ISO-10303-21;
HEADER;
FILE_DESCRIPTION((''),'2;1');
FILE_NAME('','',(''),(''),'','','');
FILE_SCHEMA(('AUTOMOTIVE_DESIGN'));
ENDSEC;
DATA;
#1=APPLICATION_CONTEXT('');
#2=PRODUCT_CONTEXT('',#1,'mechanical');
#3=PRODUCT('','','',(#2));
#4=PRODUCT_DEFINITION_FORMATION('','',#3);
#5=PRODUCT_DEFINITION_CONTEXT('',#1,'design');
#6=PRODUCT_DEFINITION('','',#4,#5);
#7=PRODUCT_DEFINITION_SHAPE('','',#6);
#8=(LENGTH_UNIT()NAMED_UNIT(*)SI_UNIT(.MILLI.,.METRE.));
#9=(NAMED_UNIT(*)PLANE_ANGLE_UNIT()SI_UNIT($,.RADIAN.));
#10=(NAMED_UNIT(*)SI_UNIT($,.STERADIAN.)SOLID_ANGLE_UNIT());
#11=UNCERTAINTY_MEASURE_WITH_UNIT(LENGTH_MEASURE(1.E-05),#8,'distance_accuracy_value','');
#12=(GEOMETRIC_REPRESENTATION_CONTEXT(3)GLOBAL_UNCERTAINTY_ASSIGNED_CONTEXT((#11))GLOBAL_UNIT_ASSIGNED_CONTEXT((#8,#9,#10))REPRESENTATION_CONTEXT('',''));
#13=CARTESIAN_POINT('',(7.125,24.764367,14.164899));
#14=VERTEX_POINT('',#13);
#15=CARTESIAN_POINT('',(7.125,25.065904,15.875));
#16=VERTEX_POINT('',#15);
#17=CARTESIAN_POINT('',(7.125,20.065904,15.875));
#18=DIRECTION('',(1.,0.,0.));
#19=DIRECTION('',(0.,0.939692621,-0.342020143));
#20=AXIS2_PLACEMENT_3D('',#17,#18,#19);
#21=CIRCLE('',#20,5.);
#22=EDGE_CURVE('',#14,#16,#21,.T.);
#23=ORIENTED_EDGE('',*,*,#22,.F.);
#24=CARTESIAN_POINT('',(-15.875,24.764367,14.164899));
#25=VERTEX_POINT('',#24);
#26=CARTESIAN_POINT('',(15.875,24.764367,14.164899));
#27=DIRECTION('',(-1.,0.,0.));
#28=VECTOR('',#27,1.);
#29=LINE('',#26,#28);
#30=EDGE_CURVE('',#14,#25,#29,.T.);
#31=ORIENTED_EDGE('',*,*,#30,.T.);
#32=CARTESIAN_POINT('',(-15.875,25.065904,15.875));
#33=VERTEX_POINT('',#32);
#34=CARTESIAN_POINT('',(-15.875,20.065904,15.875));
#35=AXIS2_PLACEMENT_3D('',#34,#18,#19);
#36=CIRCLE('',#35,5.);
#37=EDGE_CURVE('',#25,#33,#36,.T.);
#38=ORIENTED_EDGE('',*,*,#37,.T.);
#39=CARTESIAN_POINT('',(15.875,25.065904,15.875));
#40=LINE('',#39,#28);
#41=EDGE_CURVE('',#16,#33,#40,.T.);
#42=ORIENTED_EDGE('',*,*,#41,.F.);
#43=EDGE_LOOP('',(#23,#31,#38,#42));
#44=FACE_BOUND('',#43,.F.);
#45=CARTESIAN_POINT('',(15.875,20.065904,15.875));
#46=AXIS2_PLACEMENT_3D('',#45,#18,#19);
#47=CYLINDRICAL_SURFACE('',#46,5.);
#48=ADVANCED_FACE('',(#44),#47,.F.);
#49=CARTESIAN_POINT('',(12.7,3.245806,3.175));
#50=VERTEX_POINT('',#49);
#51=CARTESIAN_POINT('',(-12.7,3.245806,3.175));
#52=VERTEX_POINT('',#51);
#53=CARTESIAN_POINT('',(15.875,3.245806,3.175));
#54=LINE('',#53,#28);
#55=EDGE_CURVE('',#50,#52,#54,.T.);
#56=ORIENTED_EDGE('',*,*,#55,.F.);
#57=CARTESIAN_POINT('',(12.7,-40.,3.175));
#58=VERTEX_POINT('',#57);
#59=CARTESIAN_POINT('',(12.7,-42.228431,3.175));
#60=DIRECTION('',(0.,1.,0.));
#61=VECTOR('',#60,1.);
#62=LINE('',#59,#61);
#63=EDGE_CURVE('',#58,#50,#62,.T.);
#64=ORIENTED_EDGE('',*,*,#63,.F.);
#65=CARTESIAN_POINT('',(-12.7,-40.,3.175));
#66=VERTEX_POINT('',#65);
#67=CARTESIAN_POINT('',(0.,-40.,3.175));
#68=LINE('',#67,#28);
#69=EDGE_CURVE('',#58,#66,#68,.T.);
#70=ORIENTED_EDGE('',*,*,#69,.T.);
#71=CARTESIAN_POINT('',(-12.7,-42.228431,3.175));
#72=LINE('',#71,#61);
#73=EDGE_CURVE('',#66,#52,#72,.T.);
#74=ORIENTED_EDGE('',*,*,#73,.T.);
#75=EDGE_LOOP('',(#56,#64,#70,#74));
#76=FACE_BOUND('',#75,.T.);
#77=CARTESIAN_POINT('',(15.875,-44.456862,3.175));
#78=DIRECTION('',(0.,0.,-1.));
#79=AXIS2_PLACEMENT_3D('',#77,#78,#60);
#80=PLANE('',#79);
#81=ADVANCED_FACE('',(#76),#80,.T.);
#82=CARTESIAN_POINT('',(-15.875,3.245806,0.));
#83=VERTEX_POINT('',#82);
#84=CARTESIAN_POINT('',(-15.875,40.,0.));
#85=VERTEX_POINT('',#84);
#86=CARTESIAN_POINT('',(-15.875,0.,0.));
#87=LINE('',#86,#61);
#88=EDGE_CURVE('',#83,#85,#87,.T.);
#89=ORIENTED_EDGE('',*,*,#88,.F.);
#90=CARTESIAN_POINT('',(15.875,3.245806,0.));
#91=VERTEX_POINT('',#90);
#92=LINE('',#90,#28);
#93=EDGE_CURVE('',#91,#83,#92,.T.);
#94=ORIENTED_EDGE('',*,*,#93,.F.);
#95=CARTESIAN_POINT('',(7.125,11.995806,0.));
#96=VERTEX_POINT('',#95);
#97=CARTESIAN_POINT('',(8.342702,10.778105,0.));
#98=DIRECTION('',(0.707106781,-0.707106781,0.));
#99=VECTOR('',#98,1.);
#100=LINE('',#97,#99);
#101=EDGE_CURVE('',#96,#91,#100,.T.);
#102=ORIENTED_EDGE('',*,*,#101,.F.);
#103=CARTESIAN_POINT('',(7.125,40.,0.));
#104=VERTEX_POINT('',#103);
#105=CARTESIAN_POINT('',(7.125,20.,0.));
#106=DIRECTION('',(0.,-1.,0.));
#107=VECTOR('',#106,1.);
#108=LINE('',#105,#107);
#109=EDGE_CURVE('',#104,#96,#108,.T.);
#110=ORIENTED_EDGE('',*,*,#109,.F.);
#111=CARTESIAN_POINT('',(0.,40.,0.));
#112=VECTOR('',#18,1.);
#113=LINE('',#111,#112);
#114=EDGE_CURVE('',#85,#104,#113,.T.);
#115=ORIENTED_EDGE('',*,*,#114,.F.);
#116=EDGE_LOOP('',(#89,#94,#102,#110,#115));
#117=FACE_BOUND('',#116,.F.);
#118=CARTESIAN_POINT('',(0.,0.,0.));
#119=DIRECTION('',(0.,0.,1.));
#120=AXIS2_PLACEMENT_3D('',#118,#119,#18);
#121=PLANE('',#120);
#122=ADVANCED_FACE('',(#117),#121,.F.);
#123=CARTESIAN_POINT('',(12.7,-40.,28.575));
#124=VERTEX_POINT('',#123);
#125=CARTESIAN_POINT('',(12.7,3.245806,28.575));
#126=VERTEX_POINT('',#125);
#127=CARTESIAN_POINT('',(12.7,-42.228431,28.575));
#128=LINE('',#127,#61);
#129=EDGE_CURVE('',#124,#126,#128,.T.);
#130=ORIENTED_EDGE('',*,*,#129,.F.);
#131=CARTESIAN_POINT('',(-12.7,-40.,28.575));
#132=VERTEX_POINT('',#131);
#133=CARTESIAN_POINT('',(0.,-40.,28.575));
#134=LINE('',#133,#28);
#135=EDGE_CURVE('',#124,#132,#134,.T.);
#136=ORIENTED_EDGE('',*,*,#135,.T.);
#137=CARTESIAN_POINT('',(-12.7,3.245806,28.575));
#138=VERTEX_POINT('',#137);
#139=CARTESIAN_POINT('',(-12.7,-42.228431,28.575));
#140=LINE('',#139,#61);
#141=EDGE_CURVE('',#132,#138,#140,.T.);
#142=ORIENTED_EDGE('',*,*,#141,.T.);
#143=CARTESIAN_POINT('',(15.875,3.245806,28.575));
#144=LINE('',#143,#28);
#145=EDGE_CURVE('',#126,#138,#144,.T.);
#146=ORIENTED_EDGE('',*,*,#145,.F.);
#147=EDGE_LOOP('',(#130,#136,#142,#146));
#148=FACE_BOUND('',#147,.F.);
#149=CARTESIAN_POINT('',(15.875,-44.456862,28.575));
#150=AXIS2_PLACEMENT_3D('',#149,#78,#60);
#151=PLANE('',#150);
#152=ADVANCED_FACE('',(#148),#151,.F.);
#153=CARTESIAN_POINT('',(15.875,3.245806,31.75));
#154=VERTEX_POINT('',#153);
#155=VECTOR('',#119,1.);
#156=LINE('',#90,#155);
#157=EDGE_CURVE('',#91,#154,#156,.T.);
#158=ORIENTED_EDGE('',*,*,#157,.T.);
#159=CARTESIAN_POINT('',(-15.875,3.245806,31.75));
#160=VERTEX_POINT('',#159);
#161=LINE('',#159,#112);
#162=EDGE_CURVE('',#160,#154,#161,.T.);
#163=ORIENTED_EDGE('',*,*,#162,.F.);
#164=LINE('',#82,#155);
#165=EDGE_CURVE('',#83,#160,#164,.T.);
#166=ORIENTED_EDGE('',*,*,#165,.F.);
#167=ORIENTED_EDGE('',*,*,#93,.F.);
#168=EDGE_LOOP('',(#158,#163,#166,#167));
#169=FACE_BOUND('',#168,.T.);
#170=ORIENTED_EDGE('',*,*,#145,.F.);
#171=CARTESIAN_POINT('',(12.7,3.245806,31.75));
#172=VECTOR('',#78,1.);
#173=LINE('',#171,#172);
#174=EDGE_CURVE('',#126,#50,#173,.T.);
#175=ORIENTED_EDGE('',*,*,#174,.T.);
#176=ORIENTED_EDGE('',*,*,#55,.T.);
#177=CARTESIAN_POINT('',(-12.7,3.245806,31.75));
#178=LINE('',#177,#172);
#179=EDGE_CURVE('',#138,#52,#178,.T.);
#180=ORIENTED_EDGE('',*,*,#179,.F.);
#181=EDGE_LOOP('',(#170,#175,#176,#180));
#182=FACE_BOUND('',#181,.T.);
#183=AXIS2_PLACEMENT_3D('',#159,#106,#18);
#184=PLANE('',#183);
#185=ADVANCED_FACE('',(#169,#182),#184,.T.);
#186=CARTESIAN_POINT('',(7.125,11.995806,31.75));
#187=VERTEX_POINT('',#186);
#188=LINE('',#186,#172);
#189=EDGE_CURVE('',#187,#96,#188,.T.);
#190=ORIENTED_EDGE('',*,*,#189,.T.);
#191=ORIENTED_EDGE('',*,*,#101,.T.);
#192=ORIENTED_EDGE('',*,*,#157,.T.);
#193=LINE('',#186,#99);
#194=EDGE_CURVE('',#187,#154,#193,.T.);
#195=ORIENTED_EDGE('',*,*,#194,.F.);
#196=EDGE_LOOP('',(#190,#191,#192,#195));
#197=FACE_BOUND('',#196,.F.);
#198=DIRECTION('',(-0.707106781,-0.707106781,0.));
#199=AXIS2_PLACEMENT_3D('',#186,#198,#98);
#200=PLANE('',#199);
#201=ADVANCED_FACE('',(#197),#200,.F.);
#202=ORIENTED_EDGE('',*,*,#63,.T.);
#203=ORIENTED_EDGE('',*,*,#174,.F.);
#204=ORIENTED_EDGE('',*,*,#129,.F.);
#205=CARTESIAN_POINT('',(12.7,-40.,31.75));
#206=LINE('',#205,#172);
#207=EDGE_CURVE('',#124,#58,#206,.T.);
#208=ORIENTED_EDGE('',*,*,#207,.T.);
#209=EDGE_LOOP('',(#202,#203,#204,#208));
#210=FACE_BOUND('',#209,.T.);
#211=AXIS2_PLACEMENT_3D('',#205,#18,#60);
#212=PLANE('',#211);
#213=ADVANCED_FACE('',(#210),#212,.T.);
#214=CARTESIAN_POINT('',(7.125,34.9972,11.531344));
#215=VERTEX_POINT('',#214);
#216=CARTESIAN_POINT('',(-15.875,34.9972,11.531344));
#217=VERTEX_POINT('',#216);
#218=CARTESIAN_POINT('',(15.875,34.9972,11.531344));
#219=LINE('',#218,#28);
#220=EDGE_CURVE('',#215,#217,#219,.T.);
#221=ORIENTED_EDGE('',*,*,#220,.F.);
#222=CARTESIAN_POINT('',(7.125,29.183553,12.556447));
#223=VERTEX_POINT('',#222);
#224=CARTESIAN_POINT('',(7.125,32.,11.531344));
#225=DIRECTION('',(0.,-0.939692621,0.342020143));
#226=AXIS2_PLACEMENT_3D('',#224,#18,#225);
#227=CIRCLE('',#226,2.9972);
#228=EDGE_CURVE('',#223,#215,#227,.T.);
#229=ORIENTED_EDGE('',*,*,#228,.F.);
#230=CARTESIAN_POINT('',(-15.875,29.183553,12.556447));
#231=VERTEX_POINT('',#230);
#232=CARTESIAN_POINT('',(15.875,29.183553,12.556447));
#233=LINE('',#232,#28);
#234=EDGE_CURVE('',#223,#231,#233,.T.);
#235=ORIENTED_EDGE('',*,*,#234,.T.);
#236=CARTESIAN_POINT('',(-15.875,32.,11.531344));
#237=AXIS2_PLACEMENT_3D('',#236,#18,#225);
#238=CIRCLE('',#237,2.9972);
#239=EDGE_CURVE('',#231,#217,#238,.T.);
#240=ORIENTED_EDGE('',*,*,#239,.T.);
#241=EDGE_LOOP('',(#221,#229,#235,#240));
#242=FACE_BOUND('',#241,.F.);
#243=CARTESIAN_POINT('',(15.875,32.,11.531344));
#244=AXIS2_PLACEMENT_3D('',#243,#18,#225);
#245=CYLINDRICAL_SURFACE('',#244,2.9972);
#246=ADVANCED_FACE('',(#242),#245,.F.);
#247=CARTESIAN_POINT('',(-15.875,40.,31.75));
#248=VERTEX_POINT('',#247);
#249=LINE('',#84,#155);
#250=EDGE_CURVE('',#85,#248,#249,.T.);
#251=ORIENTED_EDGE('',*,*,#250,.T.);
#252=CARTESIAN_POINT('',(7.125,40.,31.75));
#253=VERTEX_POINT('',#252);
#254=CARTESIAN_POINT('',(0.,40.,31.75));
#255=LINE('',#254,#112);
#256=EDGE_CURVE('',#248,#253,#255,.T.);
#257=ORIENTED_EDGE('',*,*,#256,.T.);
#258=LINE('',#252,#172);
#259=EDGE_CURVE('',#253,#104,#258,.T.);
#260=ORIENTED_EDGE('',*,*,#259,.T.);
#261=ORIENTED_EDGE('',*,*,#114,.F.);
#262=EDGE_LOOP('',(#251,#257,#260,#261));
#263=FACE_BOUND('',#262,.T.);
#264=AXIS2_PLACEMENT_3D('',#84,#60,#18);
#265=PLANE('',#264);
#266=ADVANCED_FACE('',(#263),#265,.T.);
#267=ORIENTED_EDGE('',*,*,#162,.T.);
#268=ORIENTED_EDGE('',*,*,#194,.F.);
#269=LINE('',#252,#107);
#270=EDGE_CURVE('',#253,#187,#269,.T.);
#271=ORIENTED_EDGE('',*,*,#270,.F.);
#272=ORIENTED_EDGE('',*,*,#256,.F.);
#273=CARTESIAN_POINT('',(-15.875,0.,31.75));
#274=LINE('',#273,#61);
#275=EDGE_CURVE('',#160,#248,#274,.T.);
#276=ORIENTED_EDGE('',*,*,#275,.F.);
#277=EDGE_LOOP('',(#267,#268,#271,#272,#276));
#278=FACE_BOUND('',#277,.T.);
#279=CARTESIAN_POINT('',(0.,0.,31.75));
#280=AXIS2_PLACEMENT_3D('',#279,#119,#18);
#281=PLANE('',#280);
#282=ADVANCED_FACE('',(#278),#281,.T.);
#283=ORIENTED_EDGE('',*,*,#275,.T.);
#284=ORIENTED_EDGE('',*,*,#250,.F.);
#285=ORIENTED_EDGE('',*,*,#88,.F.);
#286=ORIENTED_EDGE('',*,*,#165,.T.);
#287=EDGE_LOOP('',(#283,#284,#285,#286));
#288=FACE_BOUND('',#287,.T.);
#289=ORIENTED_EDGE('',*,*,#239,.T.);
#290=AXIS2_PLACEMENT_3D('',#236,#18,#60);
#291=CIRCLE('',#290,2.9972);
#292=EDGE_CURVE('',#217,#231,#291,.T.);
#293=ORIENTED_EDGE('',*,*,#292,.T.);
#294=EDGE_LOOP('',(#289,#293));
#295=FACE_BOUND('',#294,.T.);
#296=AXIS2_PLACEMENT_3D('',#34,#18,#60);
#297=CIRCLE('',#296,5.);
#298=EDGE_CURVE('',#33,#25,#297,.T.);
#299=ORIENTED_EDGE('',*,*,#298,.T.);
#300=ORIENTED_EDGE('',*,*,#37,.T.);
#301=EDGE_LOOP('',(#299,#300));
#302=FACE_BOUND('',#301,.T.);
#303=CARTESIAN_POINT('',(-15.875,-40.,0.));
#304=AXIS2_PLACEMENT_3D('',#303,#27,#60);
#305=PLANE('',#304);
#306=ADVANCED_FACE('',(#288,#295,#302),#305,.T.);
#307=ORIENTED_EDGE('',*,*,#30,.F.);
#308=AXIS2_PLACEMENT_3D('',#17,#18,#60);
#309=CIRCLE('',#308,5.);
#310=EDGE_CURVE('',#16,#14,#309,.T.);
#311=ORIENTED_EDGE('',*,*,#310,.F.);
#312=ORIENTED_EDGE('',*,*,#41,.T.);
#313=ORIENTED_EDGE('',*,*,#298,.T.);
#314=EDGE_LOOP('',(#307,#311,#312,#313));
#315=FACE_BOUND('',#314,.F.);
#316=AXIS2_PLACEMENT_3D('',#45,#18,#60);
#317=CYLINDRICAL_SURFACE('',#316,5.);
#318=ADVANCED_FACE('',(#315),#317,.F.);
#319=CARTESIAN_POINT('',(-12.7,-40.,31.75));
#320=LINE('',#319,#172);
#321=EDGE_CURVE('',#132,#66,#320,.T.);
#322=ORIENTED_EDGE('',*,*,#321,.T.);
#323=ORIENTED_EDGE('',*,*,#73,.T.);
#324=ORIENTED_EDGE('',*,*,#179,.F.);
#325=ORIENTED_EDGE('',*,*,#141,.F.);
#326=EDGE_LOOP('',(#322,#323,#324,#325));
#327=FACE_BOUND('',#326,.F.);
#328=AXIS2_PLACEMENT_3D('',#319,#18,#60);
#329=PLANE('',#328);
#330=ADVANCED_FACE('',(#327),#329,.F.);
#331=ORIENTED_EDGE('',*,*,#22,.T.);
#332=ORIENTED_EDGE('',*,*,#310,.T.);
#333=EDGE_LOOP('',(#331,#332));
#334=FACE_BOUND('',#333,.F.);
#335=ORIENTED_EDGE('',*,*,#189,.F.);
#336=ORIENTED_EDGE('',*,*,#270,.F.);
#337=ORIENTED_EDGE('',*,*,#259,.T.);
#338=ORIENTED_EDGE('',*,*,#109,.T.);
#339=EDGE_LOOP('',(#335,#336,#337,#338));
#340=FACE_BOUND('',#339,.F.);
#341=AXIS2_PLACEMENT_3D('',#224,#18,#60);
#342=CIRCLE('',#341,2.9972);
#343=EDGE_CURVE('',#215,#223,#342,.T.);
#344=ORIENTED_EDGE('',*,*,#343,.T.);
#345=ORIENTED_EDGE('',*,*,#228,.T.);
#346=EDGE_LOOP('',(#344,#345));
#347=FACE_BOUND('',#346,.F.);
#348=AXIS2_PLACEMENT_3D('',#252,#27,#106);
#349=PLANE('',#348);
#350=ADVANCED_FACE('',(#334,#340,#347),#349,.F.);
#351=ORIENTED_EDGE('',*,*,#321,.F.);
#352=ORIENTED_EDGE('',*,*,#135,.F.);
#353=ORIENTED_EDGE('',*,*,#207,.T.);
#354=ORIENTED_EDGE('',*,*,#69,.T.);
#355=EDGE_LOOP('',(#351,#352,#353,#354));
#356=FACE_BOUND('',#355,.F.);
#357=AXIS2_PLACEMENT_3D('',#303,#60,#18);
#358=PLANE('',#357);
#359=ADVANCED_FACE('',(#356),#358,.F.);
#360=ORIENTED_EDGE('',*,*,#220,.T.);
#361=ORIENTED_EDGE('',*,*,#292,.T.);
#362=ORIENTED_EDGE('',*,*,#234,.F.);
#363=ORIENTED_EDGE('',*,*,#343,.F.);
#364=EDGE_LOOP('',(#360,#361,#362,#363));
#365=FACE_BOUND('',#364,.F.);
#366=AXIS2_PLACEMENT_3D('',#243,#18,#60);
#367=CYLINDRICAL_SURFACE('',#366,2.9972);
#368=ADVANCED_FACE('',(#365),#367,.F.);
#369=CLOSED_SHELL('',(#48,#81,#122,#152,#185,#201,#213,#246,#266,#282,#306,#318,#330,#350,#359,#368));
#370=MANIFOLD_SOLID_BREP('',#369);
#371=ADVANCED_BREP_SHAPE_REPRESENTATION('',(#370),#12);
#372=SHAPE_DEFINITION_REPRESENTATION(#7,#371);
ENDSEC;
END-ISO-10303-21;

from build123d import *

# Parameters (mm, degrees)
F0_W     = 31.75
F0_H     = 80
F1_DEPTH = 31.75
F3_DEPTH = 31.751
F4_W     = 25.4
F4_H     = 10
F4_W_2   = 3.175
F4_H_2   = 43.2458060166
F5_DEPTH = 31.751
F6_W     = 47.7026679298
F6_H     = 12.140064659
F6_H_2   = 10.4135097936
F7_DEPTH = 31.751
F9_DEPTH = 31.751


with BuildPart() as f1:
    # F0 (on Top) → F1 (new body)
    with BuildSketch(Plane.XY):
        Rectangle(F0_W, F0_H)
    extrude(amount=F1_DEPTH)

    # F2 (on face) → F3 (cut, through all)
    with BuildSketch(Plane.YZ.offset(15.875)):
        with BuildLine():
            Line((20.065903716, 15.875), (25.065903716, 15.875))
            ThreePointArc((25.065903716, 15.875), (15.141864951, 16.7432408883), (24.7643668199, 14.1648992834))
            Line((24.7643668199, 14.1648992834), (20.065903716, 15.875))
        make_face()
        with BuildLine():
            ThreePointArc((34.9972, 11.5313441798), (32.5204583181, 14.4830099771), (29.183553277, 12.5564469533))
            ThreePointArc((29.183553277, 12.5564469533), (31.4795416819, 8.5796783824), (34.9972, 11.5313441798))
        make_face()
        with BuildLine():
            ThreePointArc((24.7643668199, 14.1648992834), (24.9899424811, 15.0067591117), (25.065903716, 15.875))
            Line((25.065903716, 15.875), (20.065903716, 15.875))
            Line((20.065903716, 15.875), (24.7643668199, 14.1648992834))
        make_face()
    extrude(amount=-F3_DEPTH, mode=Mode.SUBTRACT)

    # F4 (on face) → F5 (cut, through all)
    with BuildSketch(Plane.XY.offset(31.75)):
        with Locations((0, -45)):
            Rectangle(F4_W, F4_H)
        with Locations((14.2875, -18.3770969917)):
            Rectangle(F4_W_2, F4_H_2)
        with Locations((-14.2875, -18.3770969917)):
            Rectangle(F4_W_2, F4_H_2)
    extrude(amount=-F5_DEPTH, mode=Mode.SUBTRACT)

    # F6 (on face) → F7 (cut, through all)
    with BuildSketch(Plane.YZ.offset(15.875)):
        with Locations((-20.6055279483, 34.6450323295)):
            Rectangle(F6_W, F6_H)
        with Locations((-20.6055279483, -2.0317548968)):
            Rectangle(F6_W, F6_H_2)
    extrude(amount=-F7_DEPTH, mode=Mode.SUBTRACT)

    # F8 (on face) → F9 (cut, through all)
    with BuildSketch(Plane.XY.offset(31.75)):
        Polygon((15.875, 3.2458060166), (15.875, 40), (7.125, 40), (7.125, 11.9958060166), align=None)
    extrude(amount=-F9_DEPTH, mode=Mode.SUBTRACT)


solid = f1.part
